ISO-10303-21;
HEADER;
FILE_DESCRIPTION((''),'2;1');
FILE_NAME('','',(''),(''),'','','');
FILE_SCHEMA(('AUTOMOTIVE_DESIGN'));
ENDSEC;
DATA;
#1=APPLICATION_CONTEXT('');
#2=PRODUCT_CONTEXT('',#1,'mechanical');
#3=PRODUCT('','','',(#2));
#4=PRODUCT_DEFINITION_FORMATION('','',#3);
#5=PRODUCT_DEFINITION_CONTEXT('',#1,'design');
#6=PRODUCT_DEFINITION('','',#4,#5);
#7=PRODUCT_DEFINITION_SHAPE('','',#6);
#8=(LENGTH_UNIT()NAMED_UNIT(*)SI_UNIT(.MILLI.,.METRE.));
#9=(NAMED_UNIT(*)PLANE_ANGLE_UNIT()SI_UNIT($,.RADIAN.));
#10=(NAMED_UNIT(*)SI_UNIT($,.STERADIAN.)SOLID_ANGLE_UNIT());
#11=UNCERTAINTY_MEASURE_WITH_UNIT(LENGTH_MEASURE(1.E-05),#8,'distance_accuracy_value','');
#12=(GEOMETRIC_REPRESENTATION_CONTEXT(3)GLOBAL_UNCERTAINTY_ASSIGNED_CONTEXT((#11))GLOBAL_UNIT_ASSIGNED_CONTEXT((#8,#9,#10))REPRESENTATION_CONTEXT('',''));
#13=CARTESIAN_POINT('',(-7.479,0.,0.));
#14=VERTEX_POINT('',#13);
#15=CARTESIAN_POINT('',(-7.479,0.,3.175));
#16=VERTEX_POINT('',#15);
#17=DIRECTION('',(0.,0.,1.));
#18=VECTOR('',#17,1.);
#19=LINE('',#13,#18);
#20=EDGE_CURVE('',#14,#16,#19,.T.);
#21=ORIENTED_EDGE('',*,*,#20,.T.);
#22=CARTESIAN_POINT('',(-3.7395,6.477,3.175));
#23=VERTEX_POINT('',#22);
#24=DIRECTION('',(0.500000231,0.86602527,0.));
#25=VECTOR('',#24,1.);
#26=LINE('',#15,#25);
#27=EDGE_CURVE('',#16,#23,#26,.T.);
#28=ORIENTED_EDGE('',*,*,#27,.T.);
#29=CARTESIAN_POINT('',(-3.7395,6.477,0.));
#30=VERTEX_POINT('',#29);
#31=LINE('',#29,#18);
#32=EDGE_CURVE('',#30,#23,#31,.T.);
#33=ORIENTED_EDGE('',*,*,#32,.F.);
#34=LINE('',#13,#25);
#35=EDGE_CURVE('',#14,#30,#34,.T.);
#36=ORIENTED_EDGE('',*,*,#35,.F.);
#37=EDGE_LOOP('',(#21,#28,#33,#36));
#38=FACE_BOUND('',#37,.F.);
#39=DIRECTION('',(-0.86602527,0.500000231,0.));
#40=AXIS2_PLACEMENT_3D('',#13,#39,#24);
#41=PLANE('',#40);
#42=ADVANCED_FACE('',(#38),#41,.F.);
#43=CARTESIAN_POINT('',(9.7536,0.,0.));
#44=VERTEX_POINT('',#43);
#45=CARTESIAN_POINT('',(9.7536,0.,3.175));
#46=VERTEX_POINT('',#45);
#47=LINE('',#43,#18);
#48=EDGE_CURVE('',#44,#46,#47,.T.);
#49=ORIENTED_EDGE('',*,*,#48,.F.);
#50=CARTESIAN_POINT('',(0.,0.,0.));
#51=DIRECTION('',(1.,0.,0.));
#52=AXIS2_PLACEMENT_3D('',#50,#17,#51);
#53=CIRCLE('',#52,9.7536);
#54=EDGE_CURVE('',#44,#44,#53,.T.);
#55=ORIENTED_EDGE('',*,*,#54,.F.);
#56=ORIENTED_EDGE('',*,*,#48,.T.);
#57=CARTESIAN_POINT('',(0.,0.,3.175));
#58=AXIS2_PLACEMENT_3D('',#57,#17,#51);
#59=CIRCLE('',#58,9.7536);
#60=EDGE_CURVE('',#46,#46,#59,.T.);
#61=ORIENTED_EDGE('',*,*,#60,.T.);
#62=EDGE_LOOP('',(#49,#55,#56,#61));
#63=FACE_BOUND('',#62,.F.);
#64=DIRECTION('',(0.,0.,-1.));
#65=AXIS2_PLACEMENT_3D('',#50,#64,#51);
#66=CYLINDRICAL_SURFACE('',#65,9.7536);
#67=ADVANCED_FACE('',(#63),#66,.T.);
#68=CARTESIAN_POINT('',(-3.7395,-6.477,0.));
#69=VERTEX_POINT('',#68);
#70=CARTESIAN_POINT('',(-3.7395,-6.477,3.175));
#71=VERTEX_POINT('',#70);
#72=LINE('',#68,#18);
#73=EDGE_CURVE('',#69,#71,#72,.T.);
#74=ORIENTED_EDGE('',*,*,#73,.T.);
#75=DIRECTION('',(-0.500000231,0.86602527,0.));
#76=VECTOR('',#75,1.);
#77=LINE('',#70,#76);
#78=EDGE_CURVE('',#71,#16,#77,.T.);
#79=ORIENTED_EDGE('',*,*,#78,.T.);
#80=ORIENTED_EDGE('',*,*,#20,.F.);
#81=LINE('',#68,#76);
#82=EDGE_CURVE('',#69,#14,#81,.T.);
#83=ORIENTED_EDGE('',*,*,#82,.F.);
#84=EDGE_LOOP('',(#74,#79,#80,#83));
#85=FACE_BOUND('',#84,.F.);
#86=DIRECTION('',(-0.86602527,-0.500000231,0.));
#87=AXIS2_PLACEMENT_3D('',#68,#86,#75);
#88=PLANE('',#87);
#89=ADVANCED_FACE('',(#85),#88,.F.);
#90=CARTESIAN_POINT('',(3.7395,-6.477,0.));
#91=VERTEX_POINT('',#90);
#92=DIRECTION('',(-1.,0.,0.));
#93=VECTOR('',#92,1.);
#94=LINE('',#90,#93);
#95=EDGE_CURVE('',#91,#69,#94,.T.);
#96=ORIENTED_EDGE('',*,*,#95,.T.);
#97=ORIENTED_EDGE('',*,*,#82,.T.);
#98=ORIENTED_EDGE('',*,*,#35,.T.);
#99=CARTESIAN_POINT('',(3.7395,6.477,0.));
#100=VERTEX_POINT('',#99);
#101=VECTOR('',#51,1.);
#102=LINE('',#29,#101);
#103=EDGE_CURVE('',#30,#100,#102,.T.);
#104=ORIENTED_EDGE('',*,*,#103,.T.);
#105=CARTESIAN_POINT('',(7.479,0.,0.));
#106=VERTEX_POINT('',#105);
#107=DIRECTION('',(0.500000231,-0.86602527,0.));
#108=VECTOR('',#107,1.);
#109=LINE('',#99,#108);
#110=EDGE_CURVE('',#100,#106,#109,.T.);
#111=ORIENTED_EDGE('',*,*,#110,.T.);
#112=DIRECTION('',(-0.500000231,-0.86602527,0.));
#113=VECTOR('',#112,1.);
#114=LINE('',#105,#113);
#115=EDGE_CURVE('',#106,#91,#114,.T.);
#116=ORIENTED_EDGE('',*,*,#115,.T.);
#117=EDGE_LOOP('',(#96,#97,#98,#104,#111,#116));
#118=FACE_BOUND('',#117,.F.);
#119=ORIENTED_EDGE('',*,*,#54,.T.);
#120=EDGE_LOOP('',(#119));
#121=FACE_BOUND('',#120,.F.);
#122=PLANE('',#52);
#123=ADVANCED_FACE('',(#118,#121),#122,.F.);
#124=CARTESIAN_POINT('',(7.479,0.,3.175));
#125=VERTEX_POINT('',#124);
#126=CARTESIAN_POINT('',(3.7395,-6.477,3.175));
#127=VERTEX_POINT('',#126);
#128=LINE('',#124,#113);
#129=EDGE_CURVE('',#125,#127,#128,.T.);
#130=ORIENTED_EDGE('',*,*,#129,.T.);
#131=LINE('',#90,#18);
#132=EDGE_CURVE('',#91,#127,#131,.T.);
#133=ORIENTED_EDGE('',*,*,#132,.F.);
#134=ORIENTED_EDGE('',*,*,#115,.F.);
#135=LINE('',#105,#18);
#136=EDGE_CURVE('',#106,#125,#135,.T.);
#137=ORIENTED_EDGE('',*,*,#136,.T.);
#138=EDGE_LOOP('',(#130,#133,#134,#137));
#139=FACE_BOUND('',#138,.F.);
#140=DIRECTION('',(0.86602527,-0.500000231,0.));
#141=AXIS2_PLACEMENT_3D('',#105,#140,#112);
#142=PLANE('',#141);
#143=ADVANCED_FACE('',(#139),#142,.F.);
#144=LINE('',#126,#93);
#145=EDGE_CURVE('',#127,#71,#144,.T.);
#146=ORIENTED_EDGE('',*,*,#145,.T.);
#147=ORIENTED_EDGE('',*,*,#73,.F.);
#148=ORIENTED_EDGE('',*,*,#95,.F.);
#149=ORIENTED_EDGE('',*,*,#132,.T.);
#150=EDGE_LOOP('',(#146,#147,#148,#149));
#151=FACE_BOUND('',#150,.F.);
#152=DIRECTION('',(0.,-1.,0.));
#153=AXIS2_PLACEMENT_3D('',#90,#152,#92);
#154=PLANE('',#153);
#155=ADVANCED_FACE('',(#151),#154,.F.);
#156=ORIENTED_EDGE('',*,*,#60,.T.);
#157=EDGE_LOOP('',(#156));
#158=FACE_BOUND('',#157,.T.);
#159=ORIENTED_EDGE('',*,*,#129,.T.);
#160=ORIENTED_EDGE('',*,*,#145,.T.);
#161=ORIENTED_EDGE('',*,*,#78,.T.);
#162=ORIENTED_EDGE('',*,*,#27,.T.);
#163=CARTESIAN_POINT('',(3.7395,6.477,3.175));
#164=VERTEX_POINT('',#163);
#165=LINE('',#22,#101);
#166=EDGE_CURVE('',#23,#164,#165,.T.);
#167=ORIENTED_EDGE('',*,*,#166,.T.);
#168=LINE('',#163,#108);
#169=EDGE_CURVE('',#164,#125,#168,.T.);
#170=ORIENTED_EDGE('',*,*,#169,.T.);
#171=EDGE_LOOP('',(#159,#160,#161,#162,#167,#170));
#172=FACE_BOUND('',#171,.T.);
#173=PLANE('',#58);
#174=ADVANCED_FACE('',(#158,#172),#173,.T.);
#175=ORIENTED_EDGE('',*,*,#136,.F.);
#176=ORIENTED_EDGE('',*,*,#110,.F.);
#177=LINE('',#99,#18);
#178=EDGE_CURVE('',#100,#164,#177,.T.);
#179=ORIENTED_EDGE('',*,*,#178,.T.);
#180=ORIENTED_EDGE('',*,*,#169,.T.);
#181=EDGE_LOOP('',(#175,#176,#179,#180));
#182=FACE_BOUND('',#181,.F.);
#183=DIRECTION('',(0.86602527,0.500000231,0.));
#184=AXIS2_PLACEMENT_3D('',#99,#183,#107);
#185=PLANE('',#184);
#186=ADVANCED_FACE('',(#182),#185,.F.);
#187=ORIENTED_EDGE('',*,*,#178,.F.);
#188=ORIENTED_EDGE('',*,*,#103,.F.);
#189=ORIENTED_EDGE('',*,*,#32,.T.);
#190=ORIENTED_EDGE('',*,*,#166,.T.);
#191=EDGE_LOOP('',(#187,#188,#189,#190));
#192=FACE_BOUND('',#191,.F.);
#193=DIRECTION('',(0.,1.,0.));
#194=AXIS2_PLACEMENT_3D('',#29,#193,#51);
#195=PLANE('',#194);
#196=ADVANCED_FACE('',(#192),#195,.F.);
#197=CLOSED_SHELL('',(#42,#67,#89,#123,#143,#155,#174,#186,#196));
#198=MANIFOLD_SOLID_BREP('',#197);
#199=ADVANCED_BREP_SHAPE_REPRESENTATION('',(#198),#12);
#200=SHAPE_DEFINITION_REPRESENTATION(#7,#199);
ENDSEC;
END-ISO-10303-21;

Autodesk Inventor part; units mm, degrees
ref_plane "YZ Plane" through (0, 0, 0) normal (1, 0, 0) x (0, 1, 0)
ref_plane "XZ Plane" through (0, 0, 0) normal (0, 1, 0) x (-1, 0, 0)
ref_plane "XY Plane" through (0, 0, 0) normal (0, 0, 1) x (1, 0, 0)
sketch "Sketch1" plane through (0, 0, 0) normal (0, 0, 1) x (1, 0, 0)
  line L0 (-7.479, 0) -> (-3.7395, 6.477)
  line L1 (-3.7395, 6.477) -> (3.7395, 6.477)
  line L2 (3.7395, 6.477) -> (7.479, 0)
  line L3 (7.479, 0) -> (3.7395, -6.477)
  line L4 (3.7395, -6.477) -> (-3.7395, -6.477)
  line L5 (-3.7395, -6.477) -> (-7.479, 0)
  circle A0 centre (0, 0) radius 9.7536
  dimension "d0" = 12.954
  dimension "d1" = 19.5072
extrude "Extrusion1" add sketch "Sketch1" along normal blind 3.175
equation "\"d3\" = d2"
equation "\"d2\" = 3.175"
properties part number "Hex Spacer STOCK" material "Acetal Resin, Black"
